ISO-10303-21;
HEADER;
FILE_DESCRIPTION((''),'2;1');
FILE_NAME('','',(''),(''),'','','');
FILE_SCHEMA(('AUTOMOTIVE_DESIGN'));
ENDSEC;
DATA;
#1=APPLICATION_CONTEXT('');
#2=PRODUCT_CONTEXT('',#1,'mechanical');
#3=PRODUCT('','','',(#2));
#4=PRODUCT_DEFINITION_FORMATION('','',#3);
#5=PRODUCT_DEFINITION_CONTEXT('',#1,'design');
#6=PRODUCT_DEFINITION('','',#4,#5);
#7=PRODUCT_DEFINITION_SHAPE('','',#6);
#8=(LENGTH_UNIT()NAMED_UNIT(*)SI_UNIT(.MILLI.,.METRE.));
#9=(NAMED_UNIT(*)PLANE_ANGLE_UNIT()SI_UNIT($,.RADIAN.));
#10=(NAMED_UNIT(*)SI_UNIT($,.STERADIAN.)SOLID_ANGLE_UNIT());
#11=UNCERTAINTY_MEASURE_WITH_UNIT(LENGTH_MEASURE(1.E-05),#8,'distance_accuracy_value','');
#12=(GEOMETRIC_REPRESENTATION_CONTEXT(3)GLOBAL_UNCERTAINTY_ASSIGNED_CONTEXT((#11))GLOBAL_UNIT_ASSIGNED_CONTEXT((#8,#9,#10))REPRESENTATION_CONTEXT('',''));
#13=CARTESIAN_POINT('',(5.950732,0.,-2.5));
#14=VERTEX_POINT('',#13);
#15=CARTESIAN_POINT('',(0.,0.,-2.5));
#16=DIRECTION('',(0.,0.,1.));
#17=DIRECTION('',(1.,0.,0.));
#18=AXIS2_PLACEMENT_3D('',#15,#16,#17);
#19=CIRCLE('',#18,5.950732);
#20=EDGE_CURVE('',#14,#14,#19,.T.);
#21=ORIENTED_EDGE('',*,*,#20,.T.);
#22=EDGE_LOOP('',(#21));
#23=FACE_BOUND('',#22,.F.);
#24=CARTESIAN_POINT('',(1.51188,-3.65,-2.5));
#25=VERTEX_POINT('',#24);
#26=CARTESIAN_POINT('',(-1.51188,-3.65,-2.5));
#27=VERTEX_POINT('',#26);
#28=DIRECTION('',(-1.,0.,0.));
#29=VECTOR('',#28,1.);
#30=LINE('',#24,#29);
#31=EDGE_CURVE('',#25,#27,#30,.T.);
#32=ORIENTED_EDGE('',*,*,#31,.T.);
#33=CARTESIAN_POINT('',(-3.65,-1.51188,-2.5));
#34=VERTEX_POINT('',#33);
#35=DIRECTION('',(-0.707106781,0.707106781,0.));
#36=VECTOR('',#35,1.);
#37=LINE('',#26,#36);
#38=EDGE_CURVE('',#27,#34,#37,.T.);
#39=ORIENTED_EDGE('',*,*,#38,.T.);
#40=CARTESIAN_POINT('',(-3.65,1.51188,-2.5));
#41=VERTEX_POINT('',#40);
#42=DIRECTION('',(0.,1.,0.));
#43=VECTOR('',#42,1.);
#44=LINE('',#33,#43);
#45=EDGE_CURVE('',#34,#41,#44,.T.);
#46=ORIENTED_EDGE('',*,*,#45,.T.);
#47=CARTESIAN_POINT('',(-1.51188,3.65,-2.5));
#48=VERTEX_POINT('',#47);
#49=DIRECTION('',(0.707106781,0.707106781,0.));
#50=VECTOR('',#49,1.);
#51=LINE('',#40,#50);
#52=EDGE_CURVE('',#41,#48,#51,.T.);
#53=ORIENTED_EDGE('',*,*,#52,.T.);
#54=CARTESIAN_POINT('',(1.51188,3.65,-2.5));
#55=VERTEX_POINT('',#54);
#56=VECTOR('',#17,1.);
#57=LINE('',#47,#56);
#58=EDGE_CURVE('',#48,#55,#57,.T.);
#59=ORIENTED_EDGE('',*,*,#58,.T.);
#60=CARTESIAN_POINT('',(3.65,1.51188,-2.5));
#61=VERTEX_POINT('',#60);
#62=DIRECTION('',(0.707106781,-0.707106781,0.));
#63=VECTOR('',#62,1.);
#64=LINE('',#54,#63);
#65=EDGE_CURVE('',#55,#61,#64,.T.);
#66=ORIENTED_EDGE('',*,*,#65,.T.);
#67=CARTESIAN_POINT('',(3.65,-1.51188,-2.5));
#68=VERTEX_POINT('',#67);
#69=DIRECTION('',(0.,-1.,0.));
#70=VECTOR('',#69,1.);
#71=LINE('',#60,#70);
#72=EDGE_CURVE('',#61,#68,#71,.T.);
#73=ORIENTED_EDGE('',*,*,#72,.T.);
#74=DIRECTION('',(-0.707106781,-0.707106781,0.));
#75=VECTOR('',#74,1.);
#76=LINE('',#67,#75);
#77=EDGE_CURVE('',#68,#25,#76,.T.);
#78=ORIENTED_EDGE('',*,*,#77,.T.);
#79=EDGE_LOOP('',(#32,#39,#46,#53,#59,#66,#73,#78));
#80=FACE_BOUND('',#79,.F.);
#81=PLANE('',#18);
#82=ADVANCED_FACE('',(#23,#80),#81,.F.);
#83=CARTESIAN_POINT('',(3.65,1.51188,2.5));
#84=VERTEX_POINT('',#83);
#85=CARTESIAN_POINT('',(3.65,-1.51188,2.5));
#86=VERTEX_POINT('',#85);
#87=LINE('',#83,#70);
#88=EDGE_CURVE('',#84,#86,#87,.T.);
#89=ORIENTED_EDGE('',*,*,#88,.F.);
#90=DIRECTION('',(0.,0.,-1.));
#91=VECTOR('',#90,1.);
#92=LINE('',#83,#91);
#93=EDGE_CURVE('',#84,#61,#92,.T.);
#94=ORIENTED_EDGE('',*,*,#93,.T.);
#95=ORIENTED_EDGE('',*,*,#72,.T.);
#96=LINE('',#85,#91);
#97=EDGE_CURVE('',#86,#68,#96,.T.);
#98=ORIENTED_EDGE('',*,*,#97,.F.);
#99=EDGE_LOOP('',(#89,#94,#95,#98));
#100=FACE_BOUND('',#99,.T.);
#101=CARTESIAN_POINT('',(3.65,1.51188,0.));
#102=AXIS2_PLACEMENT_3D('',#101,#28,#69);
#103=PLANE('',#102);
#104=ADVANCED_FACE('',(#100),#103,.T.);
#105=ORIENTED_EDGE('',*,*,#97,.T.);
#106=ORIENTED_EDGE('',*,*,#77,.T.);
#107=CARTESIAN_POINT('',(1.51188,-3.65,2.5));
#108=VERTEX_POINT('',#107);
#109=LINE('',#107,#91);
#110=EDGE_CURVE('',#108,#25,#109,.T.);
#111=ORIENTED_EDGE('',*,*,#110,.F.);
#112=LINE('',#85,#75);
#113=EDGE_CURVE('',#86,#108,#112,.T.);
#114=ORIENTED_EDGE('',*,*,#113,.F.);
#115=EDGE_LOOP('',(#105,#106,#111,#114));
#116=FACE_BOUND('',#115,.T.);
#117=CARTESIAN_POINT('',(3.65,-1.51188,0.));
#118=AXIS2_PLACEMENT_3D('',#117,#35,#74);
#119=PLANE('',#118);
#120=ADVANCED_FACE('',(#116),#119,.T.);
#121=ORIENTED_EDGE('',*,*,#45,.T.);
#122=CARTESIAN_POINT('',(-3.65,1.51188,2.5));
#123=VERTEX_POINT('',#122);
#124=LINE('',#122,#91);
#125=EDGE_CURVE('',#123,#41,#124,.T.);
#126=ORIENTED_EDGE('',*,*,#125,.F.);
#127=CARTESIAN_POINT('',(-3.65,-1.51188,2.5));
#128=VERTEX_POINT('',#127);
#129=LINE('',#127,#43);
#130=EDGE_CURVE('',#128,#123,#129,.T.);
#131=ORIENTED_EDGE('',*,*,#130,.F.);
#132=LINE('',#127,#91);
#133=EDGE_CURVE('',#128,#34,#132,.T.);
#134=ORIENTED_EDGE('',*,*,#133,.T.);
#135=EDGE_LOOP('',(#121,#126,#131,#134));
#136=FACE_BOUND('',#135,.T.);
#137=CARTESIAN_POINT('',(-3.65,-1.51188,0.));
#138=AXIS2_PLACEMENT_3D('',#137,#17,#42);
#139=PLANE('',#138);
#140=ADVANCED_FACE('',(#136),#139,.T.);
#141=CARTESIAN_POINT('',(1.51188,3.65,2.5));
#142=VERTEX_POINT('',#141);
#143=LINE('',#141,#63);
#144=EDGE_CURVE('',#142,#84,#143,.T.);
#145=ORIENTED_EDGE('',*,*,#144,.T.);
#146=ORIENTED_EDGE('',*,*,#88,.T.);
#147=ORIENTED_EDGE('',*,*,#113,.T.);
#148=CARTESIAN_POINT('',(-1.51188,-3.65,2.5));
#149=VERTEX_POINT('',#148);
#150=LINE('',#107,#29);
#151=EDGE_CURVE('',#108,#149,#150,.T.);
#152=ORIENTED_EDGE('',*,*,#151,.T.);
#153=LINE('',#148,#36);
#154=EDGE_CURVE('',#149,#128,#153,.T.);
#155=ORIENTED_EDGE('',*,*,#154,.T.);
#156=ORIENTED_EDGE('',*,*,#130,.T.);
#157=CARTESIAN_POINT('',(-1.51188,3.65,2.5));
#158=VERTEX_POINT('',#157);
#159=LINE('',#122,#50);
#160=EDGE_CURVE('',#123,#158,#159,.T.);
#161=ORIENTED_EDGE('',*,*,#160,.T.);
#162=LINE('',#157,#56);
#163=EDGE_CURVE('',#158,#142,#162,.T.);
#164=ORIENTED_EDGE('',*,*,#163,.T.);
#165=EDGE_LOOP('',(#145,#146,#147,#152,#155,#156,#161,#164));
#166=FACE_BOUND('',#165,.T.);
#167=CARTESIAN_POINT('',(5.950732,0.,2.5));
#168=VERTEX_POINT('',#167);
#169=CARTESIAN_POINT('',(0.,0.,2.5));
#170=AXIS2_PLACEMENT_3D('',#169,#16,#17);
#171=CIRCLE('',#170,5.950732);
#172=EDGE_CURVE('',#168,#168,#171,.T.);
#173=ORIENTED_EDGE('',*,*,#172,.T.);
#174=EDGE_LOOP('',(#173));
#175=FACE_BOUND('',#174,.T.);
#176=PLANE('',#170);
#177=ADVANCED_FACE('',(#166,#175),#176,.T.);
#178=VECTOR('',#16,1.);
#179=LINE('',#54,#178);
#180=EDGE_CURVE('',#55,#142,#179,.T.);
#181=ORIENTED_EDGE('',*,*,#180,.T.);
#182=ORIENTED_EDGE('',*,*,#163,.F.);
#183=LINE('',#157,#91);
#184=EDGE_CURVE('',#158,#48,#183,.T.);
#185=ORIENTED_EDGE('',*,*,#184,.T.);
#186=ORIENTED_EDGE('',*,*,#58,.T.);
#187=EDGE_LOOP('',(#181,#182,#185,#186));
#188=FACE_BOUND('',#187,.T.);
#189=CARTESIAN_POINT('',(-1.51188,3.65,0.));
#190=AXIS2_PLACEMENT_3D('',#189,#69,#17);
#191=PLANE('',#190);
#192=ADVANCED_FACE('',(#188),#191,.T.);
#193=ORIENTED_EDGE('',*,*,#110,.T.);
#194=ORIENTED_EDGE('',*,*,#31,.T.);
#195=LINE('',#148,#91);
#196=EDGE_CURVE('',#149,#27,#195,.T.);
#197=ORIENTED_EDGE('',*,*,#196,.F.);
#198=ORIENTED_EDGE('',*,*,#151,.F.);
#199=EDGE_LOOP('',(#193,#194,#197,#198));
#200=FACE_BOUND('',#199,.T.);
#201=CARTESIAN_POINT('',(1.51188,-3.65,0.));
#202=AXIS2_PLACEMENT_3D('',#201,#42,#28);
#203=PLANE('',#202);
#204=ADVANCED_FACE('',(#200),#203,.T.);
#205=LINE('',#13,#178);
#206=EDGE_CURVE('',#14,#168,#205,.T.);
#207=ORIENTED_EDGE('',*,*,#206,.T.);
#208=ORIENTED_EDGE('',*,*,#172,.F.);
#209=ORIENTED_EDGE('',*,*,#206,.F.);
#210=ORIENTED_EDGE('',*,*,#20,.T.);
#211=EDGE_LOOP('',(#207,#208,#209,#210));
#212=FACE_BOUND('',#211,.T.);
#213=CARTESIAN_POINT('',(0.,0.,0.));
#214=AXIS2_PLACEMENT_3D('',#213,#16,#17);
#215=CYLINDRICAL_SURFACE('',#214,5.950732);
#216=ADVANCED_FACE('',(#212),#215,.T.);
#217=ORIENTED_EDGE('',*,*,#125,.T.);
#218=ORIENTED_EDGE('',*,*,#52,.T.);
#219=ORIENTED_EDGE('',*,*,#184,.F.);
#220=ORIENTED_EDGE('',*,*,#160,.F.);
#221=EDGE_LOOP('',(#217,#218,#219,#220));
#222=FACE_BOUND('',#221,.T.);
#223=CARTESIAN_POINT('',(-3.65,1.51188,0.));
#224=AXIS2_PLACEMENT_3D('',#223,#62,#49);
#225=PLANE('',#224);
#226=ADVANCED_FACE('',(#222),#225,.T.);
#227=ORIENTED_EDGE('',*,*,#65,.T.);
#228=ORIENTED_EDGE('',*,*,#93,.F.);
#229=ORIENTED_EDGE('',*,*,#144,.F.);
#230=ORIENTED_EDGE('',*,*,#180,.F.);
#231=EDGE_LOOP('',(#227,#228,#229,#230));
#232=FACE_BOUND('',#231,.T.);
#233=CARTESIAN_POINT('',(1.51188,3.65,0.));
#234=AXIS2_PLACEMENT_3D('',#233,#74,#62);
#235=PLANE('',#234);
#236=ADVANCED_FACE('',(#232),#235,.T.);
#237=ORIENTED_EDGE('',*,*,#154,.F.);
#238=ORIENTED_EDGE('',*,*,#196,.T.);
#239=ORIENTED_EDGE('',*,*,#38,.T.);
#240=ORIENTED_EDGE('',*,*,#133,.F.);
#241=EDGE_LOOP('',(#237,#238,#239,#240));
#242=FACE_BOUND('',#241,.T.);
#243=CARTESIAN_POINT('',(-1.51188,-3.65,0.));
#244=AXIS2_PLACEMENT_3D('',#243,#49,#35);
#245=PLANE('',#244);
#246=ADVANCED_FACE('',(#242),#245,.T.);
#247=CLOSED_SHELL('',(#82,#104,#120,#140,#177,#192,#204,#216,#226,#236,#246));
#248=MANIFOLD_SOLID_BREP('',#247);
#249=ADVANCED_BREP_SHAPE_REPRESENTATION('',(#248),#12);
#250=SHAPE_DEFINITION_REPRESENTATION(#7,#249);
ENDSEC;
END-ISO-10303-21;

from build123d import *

# Parameters (mm, degrees)
F0_R     = 5.9507315311
F1_DEPTH = 2.5


with BuildPart() as f1:
    # F0 (on Top) → F1 (new body, symmetric)
    with BuildSketch(Plane.XY):
        Circle(F0_R)
        Polygon((1.5118795027, 3.65), (3.65, 1.5118795027), (3.65, -1.5118795027), (1.5118795027, -3.65), (-1.5118795027, -3.65), (-3.65, -1.5118795027), (-3.65, 1.5118795027), (-1.5118795027, 3.65), align=None, mode=Mode.SUBTRACT)
    extrude(amount=F1_DEPTH, both=True)


solid = f1.part
